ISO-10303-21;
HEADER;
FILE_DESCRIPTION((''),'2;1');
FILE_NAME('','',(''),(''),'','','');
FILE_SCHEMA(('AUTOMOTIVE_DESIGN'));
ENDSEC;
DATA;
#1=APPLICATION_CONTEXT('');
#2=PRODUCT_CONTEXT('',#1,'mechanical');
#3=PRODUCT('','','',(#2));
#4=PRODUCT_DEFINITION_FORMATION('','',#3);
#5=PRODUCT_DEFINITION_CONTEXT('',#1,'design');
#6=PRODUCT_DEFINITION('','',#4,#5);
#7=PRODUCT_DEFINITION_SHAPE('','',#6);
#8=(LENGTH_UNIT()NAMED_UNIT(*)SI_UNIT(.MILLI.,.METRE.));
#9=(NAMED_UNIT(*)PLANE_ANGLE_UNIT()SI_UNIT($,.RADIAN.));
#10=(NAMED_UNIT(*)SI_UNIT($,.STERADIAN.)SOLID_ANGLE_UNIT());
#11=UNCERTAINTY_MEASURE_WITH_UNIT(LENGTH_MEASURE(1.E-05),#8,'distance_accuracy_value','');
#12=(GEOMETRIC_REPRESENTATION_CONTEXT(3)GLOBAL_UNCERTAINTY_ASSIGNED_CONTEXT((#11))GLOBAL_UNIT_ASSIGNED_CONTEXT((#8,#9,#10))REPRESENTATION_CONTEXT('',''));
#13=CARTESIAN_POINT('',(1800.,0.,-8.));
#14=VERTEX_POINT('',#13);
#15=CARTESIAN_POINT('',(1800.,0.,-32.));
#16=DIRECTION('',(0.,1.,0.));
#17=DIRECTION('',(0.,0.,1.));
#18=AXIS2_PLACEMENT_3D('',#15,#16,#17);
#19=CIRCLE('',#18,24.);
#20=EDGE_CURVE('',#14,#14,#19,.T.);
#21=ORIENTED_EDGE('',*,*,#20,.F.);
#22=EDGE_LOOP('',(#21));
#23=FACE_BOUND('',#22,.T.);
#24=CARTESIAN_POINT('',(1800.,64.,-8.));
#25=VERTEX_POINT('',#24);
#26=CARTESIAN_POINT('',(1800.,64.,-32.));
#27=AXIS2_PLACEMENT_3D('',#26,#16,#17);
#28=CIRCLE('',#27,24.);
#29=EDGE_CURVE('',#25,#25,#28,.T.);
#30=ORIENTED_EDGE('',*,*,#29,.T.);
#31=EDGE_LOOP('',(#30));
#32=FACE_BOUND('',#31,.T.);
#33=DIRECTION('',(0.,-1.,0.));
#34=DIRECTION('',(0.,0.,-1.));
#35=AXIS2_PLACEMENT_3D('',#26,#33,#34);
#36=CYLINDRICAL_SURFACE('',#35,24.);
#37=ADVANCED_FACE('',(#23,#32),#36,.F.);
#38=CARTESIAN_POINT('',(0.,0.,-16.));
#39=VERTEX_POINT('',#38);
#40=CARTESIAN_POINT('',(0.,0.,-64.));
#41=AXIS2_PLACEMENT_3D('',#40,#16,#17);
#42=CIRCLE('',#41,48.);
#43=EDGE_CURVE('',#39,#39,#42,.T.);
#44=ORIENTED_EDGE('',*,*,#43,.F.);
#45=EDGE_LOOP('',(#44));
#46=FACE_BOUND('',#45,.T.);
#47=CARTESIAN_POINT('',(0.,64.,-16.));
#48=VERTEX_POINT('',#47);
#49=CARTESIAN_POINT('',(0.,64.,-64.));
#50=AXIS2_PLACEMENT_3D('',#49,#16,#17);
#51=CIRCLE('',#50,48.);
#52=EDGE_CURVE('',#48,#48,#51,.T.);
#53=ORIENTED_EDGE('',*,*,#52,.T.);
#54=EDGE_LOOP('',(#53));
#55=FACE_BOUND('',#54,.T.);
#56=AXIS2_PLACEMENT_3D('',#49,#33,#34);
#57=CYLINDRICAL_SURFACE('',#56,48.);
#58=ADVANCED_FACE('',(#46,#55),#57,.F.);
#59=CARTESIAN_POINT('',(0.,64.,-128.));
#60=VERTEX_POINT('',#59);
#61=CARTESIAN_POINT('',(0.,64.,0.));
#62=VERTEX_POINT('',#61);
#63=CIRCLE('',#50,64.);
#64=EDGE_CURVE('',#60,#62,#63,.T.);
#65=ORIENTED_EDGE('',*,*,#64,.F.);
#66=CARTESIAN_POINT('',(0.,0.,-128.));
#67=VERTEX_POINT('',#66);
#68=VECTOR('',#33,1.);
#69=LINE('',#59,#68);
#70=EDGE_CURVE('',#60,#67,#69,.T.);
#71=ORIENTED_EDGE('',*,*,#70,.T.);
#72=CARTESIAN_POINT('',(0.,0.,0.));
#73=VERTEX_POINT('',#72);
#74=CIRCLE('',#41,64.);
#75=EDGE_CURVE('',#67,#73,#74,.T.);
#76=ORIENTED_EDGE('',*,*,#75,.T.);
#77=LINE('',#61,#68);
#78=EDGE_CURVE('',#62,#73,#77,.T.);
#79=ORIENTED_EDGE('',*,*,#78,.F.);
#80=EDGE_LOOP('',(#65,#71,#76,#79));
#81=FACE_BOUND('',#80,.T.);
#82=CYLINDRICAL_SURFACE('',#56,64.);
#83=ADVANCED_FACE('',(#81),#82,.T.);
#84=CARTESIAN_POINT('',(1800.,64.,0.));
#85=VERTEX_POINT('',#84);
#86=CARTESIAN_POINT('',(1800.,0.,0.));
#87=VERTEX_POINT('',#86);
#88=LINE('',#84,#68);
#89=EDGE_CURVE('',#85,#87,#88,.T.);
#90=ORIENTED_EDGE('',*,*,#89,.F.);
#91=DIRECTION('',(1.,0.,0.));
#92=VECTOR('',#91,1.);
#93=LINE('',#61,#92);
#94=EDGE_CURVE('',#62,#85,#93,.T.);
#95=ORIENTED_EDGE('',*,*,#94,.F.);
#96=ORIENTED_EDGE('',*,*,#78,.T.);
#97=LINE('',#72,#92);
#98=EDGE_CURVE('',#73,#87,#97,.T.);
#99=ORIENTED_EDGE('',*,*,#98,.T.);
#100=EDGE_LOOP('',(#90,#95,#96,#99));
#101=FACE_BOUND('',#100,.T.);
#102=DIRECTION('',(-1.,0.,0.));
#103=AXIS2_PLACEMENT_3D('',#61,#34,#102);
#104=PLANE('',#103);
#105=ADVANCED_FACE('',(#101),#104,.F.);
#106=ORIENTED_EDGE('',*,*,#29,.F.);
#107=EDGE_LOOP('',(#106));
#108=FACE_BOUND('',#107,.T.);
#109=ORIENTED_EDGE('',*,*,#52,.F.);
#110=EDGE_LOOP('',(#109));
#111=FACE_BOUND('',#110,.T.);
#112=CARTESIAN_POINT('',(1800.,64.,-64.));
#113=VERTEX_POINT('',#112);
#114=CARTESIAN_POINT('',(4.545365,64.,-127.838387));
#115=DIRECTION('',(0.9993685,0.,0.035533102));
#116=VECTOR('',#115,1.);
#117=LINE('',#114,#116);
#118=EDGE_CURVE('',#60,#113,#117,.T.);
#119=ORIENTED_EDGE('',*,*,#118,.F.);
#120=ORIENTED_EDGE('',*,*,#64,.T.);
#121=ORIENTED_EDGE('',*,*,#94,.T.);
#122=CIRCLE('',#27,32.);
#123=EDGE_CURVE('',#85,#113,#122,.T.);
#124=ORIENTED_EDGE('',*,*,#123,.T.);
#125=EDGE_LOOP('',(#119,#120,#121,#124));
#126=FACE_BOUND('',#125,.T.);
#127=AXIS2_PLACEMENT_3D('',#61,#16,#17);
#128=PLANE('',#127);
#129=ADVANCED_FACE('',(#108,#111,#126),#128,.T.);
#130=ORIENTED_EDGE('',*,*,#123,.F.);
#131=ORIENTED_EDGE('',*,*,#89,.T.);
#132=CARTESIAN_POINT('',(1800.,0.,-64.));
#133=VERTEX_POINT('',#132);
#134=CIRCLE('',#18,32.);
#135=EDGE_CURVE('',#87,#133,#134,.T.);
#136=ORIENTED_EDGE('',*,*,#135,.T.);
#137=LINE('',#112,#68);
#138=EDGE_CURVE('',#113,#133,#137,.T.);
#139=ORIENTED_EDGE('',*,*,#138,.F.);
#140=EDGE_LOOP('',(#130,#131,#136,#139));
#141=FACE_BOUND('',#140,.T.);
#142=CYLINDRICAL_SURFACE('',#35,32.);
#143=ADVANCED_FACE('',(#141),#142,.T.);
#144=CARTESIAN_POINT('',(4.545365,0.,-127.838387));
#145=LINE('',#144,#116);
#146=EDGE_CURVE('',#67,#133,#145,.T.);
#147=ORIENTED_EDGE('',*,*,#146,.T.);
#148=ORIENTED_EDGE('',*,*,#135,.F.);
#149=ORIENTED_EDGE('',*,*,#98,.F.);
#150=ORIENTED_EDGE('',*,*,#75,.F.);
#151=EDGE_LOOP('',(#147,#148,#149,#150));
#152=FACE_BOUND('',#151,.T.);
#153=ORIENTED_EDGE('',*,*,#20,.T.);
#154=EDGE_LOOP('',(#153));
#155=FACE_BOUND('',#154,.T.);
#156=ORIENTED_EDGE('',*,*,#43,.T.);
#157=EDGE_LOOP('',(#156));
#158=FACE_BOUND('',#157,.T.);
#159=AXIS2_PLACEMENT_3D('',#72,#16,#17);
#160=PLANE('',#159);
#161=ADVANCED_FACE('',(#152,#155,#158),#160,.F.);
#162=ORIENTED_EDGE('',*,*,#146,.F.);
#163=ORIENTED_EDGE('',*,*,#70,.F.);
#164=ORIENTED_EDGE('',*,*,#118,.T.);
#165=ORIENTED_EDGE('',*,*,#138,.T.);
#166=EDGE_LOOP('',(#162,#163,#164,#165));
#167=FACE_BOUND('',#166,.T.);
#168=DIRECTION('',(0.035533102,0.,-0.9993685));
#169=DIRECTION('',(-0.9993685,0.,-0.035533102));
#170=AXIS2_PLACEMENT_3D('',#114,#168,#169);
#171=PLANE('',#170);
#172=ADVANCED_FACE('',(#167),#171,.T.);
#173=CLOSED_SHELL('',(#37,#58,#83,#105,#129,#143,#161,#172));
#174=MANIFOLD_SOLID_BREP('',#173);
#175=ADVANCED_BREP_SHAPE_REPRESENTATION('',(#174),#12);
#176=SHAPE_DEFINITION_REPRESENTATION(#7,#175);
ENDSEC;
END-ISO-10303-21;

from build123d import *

# Parameters (mm, degrees)
BOSS_EXTRUDE1_DEPTH = 64


with BuildPart() as part:
    # Sketch1 → Boss-Extrude1 (new body)
    with BuildSketch(Plane(origin=(0, 0, 0), x_dir=(1, 0, 0), z_dir=(0, 1, 0))):
        with BuildLine():
            ThreePointArc((64, 64), (45.254833996, 18.745166004), (0, 0))
            Line((0, 0), (1800, 0))
            ThreePointArc((1800, 0), (1768, 32), (1800, 64))
            Line((1800, 64), (4.545364872, 127.838387027))
            ThreePointArc((4.545364872, 127.838387027), (46.834300207, 107.618210923), (64, 64))
        make_face()
        with BuildLine():
            ThreePointArc((0, 128), (-64, 64), (0, 0))
            Line((0, 0), (0, 16))
            ThreePointArc((0, 16), (-48, 64), (0, 112))
            Line((0, 112), (0, 128))
        make_face()
        with BuildLine():
            Line((0, 16), (0, 0))
            ThreePointArc((0, 0), (45.254833996, 18.745166004), (64, 64))
            ThreePointArc((64, 64), (46.834300207, 107.618210923), (4.545364872, 127.838387027))
            Line((4.545364872, 127.838387027), (0, 128))
            Line((0, 128), (0, 112))
            ThreePointArc((0, 112), (33.941125497, 97.941125497), (48, 64))
            ThreePointArc((48, 64), (33.941125497, 30.058874503), (0, 16))
        make_face()
        with BuildLine():
            ThreePointArc((1800, 64), (1768, 32), (1800, 0))
            Line((1800, 0), (1800, 8))
            ThreePointArc((1800, 8), (1776, 32), (1800, 56))
            Line((1800, 56), (1800, 64))
        make_face()
        with BuildLine():
            Line((1800, 8), (1800, 0))
            ThreePointArc((1800, 0), (1822.627416998, 9.372583002), (1832, 32))
            ThreePointArc((1832, 32), (1822.627416998, 54.627416998), (1800, 64))
            Line((1800, 64), (1800, 56))
            ThreePointArc((1800, 56), (1816.970562748, 48.970562748), (1824, 32))
            ThreePointArc((1824, 32), (1816.970562748, 15.029437252), (1800, 8))
        make_face()
    extrude(amount=BOSS_EXTRUDE1_DEPTH)


solid = part.part
